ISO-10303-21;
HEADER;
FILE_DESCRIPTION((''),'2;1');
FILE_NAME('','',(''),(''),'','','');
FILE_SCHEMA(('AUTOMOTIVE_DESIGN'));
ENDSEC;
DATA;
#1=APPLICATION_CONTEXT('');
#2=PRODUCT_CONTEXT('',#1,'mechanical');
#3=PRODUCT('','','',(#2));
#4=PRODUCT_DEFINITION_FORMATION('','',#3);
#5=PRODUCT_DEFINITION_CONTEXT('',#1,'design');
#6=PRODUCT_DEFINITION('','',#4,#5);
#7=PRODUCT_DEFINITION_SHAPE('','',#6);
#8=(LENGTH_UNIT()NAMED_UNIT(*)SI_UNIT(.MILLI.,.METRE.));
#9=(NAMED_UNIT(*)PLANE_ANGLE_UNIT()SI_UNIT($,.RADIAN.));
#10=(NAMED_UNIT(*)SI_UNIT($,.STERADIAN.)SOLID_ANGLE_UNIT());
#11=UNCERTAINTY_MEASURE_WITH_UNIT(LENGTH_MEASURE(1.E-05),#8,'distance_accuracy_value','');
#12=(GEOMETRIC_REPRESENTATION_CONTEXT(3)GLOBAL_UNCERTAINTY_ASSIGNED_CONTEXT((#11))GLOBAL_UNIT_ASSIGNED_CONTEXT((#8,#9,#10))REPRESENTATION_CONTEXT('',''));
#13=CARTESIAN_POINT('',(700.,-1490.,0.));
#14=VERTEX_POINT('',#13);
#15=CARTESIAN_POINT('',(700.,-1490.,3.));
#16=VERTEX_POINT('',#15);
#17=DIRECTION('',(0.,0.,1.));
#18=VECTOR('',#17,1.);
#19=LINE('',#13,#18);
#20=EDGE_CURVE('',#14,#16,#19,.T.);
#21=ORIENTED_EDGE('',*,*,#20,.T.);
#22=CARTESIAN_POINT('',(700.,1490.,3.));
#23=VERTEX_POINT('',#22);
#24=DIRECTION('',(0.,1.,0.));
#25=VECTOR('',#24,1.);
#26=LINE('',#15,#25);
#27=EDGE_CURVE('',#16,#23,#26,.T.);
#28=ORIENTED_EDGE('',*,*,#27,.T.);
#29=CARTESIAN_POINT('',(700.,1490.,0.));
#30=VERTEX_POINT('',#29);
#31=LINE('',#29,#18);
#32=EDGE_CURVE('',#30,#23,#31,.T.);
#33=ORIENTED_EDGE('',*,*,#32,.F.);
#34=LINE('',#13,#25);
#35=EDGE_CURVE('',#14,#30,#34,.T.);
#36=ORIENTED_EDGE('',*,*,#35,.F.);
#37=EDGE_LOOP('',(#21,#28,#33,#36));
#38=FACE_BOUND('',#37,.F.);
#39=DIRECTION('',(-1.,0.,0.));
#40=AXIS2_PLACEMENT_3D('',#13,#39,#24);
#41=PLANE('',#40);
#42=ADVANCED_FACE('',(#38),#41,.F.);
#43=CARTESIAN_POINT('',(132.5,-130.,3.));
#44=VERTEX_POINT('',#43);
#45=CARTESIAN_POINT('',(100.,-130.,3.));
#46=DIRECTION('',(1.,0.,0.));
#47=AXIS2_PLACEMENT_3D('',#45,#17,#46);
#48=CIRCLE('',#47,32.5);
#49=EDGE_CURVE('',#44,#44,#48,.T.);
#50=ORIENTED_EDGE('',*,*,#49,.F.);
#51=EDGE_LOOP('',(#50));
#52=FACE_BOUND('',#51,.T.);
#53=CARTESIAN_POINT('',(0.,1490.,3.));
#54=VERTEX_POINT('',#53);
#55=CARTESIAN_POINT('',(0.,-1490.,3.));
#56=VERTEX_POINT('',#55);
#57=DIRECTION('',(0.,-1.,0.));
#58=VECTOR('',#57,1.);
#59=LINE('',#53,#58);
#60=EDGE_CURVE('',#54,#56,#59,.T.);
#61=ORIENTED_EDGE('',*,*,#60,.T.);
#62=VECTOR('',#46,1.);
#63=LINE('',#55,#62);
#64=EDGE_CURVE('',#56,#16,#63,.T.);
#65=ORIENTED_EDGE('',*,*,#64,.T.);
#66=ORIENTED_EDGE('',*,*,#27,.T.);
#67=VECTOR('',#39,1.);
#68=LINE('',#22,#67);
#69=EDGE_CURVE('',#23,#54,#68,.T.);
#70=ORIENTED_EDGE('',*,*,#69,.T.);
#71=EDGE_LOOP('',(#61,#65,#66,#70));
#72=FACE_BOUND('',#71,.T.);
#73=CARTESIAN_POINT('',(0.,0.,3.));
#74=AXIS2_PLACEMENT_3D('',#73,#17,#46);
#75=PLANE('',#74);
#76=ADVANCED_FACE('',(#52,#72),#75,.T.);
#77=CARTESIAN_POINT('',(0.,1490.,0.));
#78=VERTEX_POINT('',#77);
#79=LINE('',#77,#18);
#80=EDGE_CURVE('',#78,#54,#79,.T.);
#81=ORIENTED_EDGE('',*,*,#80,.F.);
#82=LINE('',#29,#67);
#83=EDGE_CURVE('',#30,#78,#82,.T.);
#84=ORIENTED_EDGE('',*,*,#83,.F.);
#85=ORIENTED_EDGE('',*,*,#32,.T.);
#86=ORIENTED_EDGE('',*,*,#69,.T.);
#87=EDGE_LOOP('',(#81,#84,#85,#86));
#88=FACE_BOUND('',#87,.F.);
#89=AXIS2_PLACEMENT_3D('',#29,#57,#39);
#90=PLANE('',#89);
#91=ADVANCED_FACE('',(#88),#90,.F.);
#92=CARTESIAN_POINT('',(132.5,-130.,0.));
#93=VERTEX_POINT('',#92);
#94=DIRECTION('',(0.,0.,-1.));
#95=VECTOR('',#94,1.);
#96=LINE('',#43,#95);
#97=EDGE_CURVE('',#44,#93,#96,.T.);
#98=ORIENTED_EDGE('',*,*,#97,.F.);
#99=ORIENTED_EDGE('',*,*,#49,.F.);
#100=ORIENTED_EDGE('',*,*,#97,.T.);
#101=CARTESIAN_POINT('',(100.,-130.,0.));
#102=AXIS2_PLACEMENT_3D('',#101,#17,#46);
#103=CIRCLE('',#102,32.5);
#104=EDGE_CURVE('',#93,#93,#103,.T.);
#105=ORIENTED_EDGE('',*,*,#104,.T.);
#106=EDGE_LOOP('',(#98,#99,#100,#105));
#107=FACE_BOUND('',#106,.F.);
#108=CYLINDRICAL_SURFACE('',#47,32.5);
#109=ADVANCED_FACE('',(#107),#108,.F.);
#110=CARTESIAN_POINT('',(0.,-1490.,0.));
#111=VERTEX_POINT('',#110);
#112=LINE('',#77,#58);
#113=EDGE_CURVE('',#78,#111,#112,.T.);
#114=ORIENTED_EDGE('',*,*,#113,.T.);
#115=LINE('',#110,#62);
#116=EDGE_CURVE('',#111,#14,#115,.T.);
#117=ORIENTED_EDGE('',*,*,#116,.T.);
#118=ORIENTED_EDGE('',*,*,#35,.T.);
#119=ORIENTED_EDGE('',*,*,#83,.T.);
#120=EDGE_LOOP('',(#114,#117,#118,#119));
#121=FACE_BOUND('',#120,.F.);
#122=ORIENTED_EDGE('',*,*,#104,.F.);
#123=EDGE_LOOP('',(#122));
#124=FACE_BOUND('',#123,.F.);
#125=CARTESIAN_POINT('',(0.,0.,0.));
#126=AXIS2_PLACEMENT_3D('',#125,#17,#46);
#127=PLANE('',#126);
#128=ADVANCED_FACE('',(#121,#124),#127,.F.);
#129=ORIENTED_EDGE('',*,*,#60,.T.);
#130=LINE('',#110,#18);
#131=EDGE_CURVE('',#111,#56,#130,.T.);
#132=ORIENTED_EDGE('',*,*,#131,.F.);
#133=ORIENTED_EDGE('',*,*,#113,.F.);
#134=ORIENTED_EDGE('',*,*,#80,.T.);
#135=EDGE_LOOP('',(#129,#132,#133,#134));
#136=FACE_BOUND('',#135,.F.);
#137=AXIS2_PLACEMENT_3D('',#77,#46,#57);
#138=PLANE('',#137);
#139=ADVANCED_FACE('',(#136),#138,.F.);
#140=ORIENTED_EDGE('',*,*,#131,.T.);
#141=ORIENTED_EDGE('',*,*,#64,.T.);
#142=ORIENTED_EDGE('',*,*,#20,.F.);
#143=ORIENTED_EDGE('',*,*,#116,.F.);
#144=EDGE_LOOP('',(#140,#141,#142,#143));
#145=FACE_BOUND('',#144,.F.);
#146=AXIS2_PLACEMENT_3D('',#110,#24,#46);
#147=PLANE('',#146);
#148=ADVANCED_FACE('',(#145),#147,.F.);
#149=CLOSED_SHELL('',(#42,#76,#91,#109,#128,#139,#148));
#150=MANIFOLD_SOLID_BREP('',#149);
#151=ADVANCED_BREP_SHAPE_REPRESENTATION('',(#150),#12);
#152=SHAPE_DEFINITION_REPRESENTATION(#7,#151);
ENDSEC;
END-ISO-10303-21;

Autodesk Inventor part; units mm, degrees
ref_plane "YZ Plane" through (0, 0, 0) normal (1, 0, 0) x (0, 1, 0)
ref_plane "XZ Plane" through (0, 0, 0) normal (0, 1, 0) x (-1, 0, 0)
ref_plane "XY Plane" through (0, 0, 0) normal (0, 0, 1) x (1, 0, 0)
sketch "Sketch1" plane through (0, 0, 0) normal (0, 0, 1) x (1, 0, 0)
  line L0 (0, -1490) -> (700, -1490)
  line L1 (700, -1490) -> (700, 1490)
  line L2 (700, 1490) -> (0, 1490)
  line L3 (0, 1490) -> (0, -1490)
  point P0 (0, 0)
  point P1 (0, 0)
  dimension "d0" = 700
  dimension "d1" = 2980
extrude "Plate1" add sketch "Sketch1" along normal blind 3
sketch "Sketch6" plane through (0, 0, 3) normal (0, 0, 1) x (1, 0, 0)
  circle A0 centre (100, -130) radius 32.5
  line L0 (0, 1490) -> (700, 1490) projected
  line L1 (700, 1490) -> (700, -1490) projected
  line L2 (0, -1490) -> (0, 1490) projected
  point P0 (0, 0)
  point P1 (0, 0)
  dimension "d36" = 65
  dimension "d37" = 1620
  dimension "d41" = 100
extrude "Extrusion2" cut sketch "Sketch6" against normal up to surface (3 mm away)
equation "\"d2\" = Thickness"
equation "\"BendReliefWidth\" = Thickness"
equation "\"BendReliefDepth\" = 0.5 * Thickness"
equation "\"CornerReliefSize\" = 4 * Thickness"
equation "\"MinimumRemnant\" = 2 * Thickness"
equation "\"TransitionRadius\" = BendRadius"
equation "\"JacobiRadiusSize\" = BendRadius"
equation "\"GapSize\" = Thickness"
equation "\"Thickness\" = 3"
equation "\"BendRadius\" = 5"
properties part number "BSH 051 sheet in" material "09g2s"
